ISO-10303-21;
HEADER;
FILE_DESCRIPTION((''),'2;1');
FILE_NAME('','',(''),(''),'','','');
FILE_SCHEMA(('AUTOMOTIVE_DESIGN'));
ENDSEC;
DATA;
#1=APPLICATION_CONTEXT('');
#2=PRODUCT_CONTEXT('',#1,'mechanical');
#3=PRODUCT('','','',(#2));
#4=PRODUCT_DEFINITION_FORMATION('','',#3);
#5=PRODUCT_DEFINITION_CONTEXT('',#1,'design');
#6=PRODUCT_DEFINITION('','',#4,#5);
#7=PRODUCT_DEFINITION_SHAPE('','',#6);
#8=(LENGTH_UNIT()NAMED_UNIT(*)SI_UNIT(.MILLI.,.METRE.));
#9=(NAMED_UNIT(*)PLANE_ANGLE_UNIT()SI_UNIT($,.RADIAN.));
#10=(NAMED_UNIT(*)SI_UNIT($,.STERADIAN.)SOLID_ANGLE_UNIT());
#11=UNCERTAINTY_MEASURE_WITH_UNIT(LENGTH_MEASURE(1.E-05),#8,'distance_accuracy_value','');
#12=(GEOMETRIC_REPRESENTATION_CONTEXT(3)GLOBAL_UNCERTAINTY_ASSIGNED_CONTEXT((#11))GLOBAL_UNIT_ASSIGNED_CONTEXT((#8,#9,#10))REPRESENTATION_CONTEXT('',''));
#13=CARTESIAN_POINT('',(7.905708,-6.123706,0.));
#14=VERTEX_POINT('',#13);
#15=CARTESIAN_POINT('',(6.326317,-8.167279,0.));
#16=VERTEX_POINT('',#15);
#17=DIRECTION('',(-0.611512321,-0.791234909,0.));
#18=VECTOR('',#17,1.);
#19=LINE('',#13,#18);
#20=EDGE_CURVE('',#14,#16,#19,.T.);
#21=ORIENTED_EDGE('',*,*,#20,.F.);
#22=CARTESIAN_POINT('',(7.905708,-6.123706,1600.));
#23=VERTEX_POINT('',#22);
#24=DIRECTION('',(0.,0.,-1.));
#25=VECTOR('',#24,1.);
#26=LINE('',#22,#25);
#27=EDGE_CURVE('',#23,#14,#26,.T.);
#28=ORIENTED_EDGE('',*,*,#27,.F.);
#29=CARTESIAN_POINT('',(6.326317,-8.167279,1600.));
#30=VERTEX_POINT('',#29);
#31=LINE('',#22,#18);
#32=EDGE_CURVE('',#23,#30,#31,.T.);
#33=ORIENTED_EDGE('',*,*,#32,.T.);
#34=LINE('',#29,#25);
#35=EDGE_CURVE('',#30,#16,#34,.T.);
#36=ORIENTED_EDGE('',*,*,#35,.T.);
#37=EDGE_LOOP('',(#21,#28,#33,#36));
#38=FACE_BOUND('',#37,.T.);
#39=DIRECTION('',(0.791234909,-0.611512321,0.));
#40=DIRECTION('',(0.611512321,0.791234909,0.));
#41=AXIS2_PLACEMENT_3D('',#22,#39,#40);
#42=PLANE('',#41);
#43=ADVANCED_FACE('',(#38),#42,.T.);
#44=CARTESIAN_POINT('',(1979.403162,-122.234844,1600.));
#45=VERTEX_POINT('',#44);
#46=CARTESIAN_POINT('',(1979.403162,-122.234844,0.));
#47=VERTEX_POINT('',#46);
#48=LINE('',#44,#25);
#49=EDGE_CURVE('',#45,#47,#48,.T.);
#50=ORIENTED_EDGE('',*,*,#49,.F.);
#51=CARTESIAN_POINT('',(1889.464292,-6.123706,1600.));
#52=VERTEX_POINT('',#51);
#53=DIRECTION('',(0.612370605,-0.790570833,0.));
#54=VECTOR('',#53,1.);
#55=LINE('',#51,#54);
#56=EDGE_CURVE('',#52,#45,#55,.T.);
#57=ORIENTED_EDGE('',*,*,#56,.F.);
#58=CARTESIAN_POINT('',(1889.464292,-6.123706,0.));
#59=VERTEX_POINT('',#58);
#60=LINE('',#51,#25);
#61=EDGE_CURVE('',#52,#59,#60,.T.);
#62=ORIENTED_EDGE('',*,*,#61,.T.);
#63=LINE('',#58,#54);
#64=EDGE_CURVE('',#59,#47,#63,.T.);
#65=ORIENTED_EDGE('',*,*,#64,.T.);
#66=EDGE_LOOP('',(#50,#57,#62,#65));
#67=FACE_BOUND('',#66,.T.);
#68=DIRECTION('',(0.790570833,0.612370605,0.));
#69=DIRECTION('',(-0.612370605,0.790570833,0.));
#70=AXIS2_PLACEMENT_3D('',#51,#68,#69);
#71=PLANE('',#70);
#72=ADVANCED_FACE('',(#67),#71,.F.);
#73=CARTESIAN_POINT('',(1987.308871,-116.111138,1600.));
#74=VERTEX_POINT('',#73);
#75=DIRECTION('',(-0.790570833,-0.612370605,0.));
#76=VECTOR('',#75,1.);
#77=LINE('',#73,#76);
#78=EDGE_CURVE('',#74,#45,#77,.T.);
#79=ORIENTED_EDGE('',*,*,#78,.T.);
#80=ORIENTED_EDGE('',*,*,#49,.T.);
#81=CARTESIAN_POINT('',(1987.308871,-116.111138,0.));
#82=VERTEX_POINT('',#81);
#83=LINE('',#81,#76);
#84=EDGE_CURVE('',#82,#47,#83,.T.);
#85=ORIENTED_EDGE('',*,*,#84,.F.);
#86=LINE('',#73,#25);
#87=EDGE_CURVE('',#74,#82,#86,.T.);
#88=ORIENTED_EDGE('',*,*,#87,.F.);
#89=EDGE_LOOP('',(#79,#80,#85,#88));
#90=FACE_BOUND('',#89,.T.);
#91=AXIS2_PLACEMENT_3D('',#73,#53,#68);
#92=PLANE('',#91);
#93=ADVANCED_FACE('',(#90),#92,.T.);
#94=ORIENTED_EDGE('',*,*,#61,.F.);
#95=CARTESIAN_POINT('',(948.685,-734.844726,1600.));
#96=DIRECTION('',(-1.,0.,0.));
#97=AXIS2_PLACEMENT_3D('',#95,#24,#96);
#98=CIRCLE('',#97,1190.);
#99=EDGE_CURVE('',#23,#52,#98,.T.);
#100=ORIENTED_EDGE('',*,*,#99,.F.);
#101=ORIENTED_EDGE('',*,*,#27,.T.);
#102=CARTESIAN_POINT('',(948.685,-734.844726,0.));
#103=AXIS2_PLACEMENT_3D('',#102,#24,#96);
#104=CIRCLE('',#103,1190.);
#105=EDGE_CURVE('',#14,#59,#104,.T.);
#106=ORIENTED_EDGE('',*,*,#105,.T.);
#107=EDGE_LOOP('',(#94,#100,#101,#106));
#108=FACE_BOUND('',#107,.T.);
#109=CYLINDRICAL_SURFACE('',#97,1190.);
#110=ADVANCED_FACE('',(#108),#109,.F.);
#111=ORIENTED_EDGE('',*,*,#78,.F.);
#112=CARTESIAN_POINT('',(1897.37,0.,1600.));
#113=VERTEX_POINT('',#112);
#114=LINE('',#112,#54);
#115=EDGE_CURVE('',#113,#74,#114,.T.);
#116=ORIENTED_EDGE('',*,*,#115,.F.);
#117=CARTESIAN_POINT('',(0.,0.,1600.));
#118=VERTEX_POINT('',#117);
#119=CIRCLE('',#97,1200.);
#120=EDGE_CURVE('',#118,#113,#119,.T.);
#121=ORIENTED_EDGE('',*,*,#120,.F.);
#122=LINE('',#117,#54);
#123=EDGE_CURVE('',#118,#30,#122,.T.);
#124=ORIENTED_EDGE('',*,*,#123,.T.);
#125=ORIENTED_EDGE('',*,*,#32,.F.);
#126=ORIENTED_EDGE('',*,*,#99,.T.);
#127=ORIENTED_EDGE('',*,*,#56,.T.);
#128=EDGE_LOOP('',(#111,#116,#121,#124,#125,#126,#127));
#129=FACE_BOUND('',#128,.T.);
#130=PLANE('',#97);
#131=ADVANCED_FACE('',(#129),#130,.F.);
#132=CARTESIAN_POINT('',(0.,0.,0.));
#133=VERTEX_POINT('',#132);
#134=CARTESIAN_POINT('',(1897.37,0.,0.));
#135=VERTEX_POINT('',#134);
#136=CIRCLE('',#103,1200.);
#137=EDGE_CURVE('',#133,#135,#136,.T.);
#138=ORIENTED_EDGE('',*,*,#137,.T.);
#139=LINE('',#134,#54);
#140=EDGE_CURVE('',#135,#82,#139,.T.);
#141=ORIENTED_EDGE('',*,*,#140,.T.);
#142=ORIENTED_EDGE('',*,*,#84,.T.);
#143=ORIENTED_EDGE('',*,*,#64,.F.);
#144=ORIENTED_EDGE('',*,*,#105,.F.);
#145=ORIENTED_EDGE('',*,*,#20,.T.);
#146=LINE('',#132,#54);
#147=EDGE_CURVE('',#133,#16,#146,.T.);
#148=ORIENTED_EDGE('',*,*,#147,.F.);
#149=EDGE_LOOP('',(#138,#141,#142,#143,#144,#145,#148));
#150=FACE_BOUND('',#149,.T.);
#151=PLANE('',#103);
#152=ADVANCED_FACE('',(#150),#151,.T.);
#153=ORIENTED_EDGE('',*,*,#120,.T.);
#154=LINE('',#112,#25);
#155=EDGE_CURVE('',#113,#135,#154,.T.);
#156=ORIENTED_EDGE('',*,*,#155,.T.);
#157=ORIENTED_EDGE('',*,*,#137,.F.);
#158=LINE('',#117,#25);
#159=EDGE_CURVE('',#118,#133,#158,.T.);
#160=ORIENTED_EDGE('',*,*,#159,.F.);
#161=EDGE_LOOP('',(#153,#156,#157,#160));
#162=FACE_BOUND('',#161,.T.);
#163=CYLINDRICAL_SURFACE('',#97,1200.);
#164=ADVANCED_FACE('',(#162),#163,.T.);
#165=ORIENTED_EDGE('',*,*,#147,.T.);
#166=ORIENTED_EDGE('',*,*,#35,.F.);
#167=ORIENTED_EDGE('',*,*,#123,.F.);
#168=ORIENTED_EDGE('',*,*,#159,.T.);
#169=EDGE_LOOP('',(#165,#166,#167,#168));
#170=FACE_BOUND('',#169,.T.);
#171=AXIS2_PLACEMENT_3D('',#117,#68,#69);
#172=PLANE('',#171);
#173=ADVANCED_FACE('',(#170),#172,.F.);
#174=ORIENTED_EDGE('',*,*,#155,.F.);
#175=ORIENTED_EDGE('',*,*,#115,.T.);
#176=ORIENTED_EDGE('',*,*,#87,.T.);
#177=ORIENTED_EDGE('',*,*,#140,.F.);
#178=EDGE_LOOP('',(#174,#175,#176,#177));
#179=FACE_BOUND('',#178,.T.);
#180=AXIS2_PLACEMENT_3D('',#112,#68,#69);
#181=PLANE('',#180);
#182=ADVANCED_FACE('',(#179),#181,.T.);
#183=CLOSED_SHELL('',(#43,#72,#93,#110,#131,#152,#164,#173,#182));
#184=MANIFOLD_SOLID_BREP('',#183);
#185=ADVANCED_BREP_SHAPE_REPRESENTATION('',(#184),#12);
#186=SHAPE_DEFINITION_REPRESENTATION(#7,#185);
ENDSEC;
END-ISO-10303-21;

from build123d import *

# Parameters (mm, degrees)
BOSS_EXTRUDE1_DEPTH = 1600


with BuildPart() as part:
    # Sketch1 → Boss-Extrude1 (new body)
    with BuildSketch(Plane.XY):
        with BuildLine():
            Line((1897.37, 0), (1987.30887071, -116.111138292))
            Line((1987.30887071, -116.111138292), (1979.403162377, -122.234844339))
            Line((1979.403162377, -122.234844339), (1889.464291667, -6.123706047))
            ThreePointArc((1889.464291667, -6.123706047), (948.685, 455.155274378), (7.905708333, -6.123706047))
            Line((7.905708333, -6.123706047), (6.326316618, -8.167278707))
            Line((6.326316618, -8.167278707), (0, 0))
            ThreePointArc((0, 0), (948.685, 465.155274378), (1897.37, 0))
        make_face()
    extrude(amount=BOSS_EXTRUDE1_DEPTH)


solid = part.part
